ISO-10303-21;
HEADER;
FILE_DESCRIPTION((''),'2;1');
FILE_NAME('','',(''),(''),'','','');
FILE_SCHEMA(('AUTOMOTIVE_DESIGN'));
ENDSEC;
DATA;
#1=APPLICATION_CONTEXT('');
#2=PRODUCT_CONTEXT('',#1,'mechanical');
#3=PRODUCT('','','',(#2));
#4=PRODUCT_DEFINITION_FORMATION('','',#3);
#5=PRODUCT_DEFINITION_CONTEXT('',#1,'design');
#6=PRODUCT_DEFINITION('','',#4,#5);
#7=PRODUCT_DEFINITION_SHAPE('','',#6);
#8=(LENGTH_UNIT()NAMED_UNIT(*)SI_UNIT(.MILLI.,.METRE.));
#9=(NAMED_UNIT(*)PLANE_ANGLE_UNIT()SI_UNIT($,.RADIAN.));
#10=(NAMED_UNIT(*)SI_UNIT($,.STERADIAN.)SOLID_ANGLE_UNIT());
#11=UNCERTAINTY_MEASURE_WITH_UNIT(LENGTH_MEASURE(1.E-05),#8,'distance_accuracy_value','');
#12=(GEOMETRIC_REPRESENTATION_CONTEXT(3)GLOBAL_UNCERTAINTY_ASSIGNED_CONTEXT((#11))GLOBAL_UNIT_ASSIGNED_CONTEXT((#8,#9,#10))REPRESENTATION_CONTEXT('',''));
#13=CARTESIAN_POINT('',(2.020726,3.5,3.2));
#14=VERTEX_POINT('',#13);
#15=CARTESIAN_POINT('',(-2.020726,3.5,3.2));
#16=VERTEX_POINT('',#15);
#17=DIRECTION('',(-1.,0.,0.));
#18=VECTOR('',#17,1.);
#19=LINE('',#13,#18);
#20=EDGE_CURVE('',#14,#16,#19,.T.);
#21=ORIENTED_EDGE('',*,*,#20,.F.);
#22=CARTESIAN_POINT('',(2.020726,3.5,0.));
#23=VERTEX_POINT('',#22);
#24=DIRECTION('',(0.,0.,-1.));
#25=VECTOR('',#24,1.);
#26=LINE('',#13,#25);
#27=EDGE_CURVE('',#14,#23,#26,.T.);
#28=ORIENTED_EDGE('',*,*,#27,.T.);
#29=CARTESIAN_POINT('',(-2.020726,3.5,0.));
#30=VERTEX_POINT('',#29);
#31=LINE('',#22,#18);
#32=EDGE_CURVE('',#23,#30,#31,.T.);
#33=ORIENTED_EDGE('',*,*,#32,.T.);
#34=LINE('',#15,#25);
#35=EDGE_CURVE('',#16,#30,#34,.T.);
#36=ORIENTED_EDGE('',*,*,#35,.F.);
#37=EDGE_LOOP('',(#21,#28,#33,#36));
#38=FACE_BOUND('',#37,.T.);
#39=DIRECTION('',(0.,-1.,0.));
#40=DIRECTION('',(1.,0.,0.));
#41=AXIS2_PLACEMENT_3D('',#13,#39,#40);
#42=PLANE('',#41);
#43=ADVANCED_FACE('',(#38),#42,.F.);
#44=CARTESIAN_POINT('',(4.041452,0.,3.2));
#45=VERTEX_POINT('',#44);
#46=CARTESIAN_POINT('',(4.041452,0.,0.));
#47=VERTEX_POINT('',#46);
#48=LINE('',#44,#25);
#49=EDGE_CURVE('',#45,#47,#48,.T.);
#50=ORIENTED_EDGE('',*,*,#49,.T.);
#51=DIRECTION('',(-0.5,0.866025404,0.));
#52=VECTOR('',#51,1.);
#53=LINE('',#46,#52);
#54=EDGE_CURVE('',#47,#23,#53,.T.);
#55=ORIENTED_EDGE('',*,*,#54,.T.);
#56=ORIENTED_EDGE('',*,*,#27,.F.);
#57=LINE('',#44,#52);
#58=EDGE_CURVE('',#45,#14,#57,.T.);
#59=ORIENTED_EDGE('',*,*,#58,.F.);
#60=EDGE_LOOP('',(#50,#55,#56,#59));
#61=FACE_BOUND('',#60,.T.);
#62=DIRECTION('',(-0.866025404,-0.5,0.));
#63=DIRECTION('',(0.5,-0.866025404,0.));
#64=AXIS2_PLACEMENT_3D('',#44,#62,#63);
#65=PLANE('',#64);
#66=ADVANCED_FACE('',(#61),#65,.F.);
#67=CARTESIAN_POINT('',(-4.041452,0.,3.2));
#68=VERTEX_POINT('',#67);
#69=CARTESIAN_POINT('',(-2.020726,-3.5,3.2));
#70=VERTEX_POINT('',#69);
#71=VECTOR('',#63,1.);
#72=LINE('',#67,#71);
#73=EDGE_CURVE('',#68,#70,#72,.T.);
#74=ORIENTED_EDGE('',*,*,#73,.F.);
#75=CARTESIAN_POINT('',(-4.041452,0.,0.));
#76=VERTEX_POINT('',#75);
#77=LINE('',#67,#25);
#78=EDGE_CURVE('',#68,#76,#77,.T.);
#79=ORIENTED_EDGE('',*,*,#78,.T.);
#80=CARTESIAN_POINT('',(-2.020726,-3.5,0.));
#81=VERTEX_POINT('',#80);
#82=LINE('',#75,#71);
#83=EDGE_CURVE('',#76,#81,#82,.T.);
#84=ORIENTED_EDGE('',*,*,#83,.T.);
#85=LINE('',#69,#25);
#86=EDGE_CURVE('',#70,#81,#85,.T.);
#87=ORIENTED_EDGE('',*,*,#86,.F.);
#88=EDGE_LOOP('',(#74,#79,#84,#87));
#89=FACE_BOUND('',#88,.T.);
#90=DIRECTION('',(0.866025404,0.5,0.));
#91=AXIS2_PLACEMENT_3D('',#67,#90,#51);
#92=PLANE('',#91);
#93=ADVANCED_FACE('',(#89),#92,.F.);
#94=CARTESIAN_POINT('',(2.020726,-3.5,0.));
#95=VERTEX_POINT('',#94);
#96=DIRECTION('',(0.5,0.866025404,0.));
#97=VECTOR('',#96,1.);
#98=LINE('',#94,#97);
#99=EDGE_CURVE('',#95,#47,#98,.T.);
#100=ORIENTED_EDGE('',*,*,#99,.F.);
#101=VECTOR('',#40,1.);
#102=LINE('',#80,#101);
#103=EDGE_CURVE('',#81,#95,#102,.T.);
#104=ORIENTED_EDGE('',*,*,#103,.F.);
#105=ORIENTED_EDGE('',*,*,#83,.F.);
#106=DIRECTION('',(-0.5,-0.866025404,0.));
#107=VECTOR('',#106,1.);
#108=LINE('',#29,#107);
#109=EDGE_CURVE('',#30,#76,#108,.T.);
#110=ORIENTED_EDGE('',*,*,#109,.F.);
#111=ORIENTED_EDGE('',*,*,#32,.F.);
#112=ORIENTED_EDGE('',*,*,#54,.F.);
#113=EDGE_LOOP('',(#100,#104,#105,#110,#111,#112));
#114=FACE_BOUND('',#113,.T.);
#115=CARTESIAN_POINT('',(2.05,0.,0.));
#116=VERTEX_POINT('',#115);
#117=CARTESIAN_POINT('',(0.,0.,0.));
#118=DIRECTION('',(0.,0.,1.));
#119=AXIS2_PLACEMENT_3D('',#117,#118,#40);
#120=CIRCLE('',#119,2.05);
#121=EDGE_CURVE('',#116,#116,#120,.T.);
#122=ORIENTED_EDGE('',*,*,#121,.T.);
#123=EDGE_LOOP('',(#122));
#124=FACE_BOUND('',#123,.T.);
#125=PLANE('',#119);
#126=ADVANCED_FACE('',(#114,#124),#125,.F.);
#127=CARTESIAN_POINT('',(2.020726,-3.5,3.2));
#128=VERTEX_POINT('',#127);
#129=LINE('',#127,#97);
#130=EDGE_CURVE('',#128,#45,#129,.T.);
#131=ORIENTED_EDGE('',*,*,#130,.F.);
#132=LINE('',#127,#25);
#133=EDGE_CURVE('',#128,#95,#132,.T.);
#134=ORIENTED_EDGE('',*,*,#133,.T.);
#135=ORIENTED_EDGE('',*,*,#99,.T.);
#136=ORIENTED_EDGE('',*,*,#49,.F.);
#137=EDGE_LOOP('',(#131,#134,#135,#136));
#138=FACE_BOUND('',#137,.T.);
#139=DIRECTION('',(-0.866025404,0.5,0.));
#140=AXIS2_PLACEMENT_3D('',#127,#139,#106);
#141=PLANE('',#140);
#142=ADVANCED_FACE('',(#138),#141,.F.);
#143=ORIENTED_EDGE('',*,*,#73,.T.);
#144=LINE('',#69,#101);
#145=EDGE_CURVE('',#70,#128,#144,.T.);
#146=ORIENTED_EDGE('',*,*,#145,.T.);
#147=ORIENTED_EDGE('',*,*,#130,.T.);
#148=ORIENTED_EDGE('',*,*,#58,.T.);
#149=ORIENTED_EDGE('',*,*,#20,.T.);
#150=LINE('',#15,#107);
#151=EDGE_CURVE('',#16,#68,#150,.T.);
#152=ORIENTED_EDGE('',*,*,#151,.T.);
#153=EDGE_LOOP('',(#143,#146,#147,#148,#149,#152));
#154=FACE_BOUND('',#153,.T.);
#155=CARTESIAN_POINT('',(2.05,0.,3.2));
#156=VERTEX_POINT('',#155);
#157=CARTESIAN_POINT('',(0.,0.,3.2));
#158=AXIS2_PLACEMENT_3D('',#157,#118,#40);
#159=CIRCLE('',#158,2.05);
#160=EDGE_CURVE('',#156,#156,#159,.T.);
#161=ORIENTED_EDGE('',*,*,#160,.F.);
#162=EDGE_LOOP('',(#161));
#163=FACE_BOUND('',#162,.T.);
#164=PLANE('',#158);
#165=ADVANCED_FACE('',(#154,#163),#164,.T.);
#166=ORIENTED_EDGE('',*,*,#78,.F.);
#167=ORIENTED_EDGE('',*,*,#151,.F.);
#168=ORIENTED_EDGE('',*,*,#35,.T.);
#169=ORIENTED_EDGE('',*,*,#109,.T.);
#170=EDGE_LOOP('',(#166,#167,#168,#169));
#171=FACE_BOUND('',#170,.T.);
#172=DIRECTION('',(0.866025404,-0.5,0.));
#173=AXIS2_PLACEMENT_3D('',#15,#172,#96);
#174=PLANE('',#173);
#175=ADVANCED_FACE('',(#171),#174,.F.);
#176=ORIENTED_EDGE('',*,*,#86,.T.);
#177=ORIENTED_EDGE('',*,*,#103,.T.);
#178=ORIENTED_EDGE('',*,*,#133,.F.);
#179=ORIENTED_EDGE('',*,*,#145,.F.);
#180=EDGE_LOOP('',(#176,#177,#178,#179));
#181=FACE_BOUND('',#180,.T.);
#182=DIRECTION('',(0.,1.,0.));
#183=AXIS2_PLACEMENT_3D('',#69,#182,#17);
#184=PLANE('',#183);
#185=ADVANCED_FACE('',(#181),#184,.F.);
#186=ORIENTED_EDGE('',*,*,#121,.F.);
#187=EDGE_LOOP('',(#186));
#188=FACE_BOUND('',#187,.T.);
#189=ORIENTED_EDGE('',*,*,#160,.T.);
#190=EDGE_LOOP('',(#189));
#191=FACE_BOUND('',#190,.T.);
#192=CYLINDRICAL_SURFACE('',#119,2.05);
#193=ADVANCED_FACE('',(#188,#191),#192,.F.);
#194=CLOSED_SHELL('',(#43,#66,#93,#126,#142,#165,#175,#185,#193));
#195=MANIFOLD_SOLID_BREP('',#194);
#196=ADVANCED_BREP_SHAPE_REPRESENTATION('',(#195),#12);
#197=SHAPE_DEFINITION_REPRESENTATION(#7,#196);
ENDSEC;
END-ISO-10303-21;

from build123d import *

# Parameters (mm, degrees)
EXTRUDE_1_DEPTH     = 3.2
SKETCH_2_R          = 2.05
CUT_EXTRUDE_1_DEPTH = 7.23083729


with BuildPart() as part:
    # Эскиз1 → Бобышка-Вытянуть1 (new body)
    with BuildSketch(Plane.XY):
        Polygon((4.041451884, 0), (2.020725942, 3.5), (-2.020725942, 3.5), (-4.041451884, 0), (-2.020725942, -3.5), (2.020725942, -3.5), align=None)
    extrude(amount=EXTRUDE_1_DEPTH)

    # Эскиз2 → Вырез-Вытянуть1 (cut, through all)
    with BuildSketch(Plane.XY.offset(3.2)):
        Circle(SKETCH_2_R)
    extrude(amount=-CUT_EXTRUDE_1_DEPTH, mode=Mode.SUBTRACT)


solid = part.part
